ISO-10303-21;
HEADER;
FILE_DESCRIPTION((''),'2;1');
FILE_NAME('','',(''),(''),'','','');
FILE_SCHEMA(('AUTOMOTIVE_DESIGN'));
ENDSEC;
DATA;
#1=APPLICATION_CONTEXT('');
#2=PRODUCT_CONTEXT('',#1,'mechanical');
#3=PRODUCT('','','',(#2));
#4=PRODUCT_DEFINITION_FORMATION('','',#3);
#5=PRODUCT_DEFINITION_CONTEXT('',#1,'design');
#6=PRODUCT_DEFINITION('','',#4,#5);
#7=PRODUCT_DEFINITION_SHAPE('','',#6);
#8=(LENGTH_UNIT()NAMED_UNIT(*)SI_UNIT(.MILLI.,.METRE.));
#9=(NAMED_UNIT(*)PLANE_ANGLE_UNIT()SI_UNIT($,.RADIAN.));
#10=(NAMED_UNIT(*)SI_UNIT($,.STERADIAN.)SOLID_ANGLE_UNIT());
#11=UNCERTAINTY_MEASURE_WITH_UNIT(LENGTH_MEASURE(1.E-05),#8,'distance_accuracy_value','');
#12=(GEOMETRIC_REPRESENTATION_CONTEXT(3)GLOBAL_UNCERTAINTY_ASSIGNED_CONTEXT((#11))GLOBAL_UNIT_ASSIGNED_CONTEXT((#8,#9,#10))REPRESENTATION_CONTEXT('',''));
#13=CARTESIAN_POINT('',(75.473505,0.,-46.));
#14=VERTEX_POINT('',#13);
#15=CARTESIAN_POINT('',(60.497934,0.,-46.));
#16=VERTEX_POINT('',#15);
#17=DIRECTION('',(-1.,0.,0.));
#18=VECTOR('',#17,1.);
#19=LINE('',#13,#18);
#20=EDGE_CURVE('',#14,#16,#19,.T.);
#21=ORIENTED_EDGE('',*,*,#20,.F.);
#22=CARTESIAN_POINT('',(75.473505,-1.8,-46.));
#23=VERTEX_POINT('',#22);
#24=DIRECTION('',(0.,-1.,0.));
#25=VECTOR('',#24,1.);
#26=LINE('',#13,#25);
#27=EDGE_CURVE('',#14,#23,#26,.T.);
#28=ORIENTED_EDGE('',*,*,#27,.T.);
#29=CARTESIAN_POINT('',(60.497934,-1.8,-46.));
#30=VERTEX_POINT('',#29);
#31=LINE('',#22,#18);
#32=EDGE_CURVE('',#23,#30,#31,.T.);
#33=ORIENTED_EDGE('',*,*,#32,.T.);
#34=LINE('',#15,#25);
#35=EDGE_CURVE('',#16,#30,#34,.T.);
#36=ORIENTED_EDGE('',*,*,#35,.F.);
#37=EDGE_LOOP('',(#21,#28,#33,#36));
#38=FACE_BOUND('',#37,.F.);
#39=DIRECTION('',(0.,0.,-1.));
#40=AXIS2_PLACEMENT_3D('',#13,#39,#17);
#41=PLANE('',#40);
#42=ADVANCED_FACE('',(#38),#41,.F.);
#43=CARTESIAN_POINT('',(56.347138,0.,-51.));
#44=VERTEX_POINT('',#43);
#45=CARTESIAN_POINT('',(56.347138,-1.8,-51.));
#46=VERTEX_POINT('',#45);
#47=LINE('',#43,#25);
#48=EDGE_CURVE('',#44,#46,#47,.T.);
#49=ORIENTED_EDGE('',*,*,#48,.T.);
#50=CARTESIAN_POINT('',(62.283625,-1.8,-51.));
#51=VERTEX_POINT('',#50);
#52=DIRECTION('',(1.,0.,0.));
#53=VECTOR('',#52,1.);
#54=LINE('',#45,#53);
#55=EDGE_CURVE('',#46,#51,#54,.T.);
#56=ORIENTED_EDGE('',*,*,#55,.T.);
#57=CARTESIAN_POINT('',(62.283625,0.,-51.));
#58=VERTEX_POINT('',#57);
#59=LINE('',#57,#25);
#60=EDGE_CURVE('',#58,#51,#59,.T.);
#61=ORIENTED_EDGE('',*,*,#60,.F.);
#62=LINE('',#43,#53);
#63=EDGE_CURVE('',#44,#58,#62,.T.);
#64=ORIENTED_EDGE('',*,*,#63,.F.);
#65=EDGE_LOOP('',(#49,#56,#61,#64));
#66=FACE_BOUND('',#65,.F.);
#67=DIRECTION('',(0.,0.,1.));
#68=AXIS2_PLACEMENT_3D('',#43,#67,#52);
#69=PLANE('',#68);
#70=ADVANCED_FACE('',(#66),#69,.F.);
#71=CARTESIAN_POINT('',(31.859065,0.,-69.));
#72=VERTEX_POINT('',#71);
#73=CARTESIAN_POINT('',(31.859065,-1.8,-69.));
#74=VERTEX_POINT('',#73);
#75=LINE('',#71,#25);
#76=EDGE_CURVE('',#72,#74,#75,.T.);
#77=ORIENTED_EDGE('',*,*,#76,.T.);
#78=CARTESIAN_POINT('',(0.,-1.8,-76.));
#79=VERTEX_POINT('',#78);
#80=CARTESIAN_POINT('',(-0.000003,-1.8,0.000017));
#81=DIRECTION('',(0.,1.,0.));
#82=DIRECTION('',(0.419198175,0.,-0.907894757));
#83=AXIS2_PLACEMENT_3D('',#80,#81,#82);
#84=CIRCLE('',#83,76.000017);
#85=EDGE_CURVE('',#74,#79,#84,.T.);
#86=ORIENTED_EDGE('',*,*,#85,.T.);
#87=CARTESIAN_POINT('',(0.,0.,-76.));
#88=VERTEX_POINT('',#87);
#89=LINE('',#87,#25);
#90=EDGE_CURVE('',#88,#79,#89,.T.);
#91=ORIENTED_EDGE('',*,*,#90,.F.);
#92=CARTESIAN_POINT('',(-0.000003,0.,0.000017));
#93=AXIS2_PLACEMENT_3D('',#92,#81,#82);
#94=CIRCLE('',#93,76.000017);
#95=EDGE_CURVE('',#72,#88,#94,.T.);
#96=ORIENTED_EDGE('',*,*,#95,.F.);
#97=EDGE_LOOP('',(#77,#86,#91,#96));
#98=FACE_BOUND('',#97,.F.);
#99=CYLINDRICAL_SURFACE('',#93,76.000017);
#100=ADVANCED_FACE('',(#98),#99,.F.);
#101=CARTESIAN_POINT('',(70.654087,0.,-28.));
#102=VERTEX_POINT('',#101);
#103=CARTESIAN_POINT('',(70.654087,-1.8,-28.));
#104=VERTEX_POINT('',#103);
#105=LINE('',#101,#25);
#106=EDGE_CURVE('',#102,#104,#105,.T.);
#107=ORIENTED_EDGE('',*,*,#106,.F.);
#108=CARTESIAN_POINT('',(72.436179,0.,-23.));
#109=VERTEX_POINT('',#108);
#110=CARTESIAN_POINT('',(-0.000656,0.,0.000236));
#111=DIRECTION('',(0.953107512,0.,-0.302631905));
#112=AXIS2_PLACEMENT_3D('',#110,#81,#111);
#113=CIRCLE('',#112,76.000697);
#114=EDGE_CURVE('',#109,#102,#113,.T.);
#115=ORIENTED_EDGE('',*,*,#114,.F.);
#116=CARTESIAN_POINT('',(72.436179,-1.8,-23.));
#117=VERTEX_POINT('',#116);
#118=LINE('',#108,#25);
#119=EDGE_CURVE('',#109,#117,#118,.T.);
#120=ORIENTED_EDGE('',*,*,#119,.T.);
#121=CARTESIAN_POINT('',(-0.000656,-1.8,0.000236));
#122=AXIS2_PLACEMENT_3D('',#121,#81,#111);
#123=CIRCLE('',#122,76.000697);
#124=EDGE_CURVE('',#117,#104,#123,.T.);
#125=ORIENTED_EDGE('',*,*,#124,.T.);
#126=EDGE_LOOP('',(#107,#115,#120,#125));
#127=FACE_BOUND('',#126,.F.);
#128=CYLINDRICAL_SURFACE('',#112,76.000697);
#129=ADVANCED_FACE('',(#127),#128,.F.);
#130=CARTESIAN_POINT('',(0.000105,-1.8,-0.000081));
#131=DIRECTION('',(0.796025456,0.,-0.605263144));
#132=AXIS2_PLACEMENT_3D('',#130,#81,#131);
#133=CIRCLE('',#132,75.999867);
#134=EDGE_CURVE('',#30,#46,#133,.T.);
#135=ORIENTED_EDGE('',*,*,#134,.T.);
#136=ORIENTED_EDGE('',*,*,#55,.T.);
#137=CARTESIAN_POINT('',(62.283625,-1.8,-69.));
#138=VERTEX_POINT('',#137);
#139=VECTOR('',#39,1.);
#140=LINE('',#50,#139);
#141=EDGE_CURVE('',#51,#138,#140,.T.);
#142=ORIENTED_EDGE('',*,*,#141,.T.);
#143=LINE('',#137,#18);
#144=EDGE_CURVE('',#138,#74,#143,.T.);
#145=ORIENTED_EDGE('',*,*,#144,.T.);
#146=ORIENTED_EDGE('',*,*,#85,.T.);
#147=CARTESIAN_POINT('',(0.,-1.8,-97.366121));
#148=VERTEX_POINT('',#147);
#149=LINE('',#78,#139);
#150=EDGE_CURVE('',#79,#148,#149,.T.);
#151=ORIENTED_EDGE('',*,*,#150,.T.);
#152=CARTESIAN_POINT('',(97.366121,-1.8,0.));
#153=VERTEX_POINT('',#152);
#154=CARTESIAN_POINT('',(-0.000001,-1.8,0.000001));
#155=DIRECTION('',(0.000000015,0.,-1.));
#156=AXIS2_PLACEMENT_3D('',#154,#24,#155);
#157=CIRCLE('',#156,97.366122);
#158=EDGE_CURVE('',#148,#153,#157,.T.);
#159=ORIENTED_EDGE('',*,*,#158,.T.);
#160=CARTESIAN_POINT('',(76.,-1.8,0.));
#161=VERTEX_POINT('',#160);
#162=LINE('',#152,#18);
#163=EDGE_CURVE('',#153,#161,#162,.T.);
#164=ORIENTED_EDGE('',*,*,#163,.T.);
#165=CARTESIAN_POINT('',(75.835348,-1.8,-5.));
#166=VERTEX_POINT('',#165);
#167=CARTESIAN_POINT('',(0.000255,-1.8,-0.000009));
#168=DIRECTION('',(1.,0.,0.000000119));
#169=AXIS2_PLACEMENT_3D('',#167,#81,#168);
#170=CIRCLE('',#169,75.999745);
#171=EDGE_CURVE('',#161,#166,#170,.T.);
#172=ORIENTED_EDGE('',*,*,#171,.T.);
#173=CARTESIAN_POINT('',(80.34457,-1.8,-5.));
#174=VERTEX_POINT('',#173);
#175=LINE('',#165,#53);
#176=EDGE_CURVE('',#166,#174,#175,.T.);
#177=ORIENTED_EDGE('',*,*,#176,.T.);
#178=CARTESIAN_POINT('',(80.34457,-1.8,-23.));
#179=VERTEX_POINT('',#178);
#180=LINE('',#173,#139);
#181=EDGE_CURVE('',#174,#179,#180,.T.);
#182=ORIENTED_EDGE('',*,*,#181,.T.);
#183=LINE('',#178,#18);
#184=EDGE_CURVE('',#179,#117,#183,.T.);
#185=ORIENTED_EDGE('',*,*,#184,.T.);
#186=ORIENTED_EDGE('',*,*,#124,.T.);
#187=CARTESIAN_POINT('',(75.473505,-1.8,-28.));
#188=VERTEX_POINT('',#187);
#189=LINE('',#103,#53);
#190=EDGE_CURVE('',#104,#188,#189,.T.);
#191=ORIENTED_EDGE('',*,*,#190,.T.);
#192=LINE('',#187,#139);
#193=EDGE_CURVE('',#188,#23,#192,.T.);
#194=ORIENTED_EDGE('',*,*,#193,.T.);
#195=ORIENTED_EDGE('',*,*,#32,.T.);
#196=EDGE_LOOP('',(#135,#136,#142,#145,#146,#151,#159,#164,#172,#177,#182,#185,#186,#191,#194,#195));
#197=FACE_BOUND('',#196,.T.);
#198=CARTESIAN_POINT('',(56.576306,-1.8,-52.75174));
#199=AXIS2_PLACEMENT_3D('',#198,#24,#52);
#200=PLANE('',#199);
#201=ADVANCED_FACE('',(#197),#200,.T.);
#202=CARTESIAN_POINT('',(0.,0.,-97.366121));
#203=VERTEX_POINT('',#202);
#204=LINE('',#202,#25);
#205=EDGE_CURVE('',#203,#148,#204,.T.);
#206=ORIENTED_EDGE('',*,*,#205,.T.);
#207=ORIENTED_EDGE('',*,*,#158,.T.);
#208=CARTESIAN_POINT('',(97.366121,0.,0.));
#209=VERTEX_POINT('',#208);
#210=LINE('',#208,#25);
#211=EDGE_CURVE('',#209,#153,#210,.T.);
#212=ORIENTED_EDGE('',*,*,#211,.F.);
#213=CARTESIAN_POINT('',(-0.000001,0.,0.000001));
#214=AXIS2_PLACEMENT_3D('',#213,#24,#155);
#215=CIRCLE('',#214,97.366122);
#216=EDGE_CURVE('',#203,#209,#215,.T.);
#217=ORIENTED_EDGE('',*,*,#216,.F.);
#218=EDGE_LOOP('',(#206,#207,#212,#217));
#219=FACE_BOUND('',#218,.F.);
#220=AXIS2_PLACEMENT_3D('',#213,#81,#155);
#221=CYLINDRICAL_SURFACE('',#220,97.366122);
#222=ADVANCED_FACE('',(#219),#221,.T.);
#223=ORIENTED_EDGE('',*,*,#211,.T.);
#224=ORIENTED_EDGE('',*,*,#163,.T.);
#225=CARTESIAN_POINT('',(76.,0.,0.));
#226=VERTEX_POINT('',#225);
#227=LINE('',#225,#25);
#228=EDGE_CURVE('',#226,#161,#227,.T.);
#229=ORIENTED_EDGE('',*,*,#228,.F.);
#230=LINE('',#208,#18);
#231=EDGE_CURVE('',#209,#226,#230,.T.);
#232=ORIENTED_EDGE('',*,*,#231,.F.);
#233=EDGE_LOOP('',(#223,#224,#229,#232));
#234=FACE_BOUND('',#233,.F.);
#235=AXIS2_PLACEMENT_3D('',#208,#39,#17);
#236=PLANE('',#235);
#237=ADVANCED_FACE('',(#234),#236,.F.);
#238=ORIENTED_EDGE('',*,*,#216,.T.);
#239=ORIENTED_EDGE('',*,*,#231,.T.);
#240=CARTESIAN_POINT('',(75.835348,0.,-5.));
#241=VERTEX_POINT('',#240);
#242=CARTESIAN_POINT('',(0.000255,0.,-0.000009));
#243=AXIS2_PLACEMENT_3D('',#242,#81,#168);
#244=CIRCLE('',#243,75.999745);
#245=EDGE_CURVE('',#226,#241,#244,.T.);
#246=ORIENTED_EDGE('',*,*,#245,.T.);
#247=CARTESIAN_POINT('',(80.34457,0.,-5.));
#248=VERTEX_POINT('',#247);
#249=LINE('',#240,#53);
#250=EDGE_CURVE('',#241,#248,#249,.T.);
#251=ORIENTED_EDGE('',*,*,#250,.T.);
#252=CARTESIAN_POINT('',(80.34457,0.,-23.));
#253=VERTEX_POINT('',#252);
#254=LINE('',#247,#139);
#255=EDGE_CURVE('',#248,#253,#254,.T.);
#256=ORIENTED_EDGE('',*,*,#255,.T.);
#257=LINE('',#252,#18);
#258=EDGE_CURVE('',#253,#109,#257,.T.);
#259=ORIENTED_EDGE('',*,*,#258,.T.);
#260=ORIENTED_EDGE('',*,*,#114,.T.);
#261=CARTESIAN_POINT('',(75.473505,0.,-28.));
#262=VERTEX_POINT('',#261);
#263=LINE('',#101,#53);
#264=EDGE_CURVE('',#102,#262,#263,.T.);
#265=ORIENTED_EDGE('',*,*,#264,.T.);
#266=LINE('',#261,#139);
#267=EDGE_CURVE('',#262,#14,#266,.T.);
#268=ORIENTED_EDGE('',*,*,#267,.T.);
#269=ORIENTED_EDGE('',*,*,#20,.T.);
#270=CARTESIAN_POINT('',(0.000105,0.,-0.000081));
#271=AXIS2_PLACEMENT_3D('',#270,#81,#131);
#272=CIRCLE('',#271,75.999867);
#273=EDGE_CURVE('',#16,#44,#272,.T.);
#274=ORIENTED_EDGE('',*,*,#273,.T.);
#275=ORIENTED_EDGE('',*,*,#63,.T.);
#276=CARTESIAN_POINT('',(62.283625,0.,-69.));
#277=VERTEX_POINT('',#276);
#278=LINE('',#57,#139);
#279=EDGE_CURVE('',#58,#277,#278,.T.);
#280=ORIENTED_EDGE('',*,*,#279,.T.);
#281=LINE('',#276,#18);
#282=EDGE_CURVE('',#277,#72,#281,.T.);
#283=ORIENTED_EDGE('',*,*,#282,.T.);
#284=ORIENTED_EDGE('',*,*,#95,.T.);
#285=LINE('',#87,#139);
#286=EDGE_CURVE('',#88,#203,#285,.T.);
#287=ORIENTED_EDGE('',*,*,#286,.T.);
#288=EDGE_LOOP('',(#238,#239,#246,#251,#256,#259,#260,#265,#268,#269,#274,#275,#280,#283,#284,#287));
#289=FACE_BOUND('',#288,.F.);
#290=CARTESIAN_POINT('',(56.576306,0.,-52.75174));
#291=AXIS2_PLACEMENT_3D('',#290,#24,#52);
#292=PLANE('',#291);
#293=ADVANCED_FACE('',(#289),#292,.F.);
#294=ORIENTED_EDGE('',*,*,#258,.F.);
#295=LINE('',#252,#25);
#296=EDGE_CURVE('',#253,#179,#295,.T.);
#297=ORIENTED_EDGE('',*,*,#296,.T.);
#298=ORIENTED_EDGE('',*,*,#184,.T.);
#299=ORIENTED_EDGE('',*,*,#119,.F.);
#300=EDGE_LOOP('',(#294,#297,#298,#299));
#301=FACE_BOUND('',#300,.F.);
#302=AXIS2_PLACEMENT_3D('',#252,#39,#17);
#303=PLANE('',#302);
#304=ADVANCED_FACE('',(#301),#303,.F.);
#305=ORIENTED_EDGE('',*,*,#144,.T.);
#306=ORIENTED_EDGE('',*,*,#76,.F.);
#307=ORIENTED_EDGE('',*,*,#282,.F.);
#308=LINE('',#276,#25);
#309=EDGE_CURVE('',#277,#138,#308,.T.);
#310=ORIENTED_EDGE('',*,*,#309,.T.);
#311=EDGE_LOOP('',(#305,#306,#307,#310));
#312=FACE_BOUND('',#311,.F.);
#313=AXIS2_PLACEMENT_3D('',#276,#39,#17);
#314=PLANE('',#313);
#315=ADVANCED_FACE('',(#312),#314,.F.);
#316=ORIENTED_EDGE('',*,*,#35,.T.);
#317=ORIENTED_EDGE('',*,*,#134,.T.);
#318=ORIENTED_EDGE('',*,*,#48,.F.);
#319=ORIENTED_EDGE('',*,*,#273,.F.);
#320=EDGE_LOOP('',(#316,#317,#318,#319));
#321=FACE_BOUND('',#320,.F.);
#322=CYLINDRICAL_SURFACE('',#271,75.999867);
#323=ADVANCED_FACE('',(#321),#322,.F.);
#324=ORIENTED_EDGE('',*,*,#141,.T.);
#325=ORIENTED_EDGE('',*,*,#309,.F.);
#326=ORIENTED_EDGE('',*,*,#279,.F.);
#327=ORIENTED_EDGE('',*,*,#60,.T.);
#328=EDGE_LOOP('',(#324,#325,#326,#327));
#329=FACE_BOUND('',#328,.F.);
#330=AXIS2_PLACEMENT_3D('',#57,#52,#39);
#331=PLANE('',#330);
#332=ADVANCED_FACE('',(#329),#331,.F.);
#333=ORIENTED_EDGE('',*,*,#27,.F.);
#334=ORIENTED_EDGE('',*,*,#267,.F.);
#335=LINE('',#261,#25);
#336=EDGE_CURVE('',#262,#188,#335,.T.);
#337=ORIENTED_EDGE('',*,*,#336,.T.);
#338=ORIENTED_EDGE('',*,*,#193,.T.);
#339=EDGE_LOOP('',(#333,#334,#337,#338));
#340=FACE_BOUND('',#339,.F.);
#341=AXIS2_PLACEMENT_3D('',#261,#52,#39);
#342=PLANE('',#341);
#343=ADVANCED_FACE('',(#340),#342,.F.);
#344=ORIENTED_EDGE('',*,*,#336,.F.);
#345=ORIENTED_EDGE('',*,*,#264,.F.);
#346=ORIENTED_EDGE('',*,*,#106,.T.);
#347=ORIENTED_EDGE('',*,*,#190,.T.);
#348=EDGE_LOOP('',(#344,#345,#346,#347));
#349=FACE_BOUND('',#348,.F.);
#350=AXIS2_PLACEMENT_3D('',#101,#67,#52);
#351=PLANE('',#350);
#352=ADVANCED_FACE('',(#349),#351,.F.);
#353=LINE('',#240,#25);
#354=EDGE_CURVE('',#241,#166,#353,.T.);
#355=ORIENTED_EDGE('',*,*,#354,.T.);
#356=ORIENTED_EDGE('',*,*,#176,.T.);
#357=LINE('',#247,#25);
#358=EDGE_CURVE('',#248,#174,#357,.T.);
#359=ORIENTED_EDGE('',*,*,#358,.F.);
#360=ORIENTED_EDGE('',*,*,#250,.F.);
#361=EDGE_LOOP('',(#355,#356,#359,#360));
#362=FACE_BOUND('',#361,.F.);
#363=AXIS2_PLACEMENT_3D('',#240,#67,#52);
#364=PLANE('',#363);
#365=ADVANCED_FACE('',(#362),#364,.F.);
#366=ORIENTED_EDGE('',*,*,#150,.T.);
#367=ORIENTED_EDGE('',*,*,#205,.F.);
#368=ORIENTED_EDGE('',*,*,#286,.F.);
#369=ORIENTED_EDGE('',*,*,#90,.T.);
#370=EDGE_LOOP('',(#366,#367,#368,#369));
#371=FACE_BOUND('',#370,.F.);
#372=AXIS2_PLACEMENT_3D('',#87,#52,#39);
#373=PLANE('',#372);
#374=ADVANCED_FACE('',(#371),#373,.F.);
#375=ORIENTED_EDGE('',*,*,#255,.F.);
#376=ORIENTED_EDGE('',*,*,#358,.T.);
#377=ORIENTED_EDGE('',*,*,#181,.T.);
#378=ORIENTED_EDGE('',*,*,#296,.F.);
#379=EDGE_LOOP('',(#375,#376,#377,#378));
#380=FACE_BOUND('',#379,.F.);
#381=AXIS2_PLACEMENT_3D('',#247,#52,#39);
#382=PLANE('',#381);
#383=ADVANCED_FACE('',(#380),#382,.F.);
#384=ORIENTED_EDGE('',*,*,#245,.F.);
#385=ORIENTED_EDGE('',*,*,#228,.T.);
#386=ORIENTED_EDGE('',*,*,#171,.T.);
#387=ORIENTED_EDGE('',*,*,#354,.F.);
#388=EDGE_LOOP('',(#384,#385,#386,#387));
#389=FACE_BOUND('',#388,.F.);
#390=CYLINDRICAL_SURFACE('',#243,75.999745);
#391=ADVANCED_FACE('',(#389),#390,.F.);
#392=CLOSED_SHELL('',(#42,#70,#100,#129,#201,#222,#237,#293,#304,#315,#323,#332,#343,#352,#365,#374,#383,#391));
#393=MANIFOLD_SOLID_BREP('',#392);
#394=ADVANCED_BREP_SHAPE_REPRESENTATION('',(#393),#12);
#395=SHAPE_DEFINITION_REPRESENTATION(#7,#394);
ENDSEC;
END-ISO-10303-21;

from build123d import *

# Parameters (mm, degrees)
F1_DEPTH = 1.8


with BuildPart() as f1:
    # F0 (on Front) → F1 (new body)
    with BuildSketch(Plane.XZ):
        with BuildLine():
            ThreePointArc((31.859065, -69), (16.309506, -74.229374), (0, -76))
            Line((0, -76), (0, -85))
            Line((0, -85), (0, -97.366121))
            ThreePointArc((0, -97.366121), (68.848244, -68.848244), (97.366121, 0))
            Line((97.366121, 0), (85, 0))
            Line((85, 0), (76, 0))
            ThreePointArc((76, 0), (75.958826, -2.501355), (75.835348, -5))
            Line((75.835348, -5), (80.34457, -5))
            Line((80.34457, -5), (80.34457, -23))
            Line((80.34457, -23), (72.436179, -23))
            ThreePointArc((72.436179, -23), (71.588798, -25.515563), (70.654087, -28))
            Line((70.654087, -28), (75.473505, -28))
            Line((75.473505, -28), (75.473505, -46))
            Line((75.473505, -46), (60.497934, -46))
            ThreePointArc((60.497934, -46), (58.476001, -48.544385), (56.347138, -51))
            Line((56.347138, -51), (62.283625, -51))
            Line((62.283625, -51), (62.283625, -69))
            Line((62.283625, -69), (31.859065, -69))
        make_face()
    extrude(amount=F1_DEPTH)


solid = f1.part
